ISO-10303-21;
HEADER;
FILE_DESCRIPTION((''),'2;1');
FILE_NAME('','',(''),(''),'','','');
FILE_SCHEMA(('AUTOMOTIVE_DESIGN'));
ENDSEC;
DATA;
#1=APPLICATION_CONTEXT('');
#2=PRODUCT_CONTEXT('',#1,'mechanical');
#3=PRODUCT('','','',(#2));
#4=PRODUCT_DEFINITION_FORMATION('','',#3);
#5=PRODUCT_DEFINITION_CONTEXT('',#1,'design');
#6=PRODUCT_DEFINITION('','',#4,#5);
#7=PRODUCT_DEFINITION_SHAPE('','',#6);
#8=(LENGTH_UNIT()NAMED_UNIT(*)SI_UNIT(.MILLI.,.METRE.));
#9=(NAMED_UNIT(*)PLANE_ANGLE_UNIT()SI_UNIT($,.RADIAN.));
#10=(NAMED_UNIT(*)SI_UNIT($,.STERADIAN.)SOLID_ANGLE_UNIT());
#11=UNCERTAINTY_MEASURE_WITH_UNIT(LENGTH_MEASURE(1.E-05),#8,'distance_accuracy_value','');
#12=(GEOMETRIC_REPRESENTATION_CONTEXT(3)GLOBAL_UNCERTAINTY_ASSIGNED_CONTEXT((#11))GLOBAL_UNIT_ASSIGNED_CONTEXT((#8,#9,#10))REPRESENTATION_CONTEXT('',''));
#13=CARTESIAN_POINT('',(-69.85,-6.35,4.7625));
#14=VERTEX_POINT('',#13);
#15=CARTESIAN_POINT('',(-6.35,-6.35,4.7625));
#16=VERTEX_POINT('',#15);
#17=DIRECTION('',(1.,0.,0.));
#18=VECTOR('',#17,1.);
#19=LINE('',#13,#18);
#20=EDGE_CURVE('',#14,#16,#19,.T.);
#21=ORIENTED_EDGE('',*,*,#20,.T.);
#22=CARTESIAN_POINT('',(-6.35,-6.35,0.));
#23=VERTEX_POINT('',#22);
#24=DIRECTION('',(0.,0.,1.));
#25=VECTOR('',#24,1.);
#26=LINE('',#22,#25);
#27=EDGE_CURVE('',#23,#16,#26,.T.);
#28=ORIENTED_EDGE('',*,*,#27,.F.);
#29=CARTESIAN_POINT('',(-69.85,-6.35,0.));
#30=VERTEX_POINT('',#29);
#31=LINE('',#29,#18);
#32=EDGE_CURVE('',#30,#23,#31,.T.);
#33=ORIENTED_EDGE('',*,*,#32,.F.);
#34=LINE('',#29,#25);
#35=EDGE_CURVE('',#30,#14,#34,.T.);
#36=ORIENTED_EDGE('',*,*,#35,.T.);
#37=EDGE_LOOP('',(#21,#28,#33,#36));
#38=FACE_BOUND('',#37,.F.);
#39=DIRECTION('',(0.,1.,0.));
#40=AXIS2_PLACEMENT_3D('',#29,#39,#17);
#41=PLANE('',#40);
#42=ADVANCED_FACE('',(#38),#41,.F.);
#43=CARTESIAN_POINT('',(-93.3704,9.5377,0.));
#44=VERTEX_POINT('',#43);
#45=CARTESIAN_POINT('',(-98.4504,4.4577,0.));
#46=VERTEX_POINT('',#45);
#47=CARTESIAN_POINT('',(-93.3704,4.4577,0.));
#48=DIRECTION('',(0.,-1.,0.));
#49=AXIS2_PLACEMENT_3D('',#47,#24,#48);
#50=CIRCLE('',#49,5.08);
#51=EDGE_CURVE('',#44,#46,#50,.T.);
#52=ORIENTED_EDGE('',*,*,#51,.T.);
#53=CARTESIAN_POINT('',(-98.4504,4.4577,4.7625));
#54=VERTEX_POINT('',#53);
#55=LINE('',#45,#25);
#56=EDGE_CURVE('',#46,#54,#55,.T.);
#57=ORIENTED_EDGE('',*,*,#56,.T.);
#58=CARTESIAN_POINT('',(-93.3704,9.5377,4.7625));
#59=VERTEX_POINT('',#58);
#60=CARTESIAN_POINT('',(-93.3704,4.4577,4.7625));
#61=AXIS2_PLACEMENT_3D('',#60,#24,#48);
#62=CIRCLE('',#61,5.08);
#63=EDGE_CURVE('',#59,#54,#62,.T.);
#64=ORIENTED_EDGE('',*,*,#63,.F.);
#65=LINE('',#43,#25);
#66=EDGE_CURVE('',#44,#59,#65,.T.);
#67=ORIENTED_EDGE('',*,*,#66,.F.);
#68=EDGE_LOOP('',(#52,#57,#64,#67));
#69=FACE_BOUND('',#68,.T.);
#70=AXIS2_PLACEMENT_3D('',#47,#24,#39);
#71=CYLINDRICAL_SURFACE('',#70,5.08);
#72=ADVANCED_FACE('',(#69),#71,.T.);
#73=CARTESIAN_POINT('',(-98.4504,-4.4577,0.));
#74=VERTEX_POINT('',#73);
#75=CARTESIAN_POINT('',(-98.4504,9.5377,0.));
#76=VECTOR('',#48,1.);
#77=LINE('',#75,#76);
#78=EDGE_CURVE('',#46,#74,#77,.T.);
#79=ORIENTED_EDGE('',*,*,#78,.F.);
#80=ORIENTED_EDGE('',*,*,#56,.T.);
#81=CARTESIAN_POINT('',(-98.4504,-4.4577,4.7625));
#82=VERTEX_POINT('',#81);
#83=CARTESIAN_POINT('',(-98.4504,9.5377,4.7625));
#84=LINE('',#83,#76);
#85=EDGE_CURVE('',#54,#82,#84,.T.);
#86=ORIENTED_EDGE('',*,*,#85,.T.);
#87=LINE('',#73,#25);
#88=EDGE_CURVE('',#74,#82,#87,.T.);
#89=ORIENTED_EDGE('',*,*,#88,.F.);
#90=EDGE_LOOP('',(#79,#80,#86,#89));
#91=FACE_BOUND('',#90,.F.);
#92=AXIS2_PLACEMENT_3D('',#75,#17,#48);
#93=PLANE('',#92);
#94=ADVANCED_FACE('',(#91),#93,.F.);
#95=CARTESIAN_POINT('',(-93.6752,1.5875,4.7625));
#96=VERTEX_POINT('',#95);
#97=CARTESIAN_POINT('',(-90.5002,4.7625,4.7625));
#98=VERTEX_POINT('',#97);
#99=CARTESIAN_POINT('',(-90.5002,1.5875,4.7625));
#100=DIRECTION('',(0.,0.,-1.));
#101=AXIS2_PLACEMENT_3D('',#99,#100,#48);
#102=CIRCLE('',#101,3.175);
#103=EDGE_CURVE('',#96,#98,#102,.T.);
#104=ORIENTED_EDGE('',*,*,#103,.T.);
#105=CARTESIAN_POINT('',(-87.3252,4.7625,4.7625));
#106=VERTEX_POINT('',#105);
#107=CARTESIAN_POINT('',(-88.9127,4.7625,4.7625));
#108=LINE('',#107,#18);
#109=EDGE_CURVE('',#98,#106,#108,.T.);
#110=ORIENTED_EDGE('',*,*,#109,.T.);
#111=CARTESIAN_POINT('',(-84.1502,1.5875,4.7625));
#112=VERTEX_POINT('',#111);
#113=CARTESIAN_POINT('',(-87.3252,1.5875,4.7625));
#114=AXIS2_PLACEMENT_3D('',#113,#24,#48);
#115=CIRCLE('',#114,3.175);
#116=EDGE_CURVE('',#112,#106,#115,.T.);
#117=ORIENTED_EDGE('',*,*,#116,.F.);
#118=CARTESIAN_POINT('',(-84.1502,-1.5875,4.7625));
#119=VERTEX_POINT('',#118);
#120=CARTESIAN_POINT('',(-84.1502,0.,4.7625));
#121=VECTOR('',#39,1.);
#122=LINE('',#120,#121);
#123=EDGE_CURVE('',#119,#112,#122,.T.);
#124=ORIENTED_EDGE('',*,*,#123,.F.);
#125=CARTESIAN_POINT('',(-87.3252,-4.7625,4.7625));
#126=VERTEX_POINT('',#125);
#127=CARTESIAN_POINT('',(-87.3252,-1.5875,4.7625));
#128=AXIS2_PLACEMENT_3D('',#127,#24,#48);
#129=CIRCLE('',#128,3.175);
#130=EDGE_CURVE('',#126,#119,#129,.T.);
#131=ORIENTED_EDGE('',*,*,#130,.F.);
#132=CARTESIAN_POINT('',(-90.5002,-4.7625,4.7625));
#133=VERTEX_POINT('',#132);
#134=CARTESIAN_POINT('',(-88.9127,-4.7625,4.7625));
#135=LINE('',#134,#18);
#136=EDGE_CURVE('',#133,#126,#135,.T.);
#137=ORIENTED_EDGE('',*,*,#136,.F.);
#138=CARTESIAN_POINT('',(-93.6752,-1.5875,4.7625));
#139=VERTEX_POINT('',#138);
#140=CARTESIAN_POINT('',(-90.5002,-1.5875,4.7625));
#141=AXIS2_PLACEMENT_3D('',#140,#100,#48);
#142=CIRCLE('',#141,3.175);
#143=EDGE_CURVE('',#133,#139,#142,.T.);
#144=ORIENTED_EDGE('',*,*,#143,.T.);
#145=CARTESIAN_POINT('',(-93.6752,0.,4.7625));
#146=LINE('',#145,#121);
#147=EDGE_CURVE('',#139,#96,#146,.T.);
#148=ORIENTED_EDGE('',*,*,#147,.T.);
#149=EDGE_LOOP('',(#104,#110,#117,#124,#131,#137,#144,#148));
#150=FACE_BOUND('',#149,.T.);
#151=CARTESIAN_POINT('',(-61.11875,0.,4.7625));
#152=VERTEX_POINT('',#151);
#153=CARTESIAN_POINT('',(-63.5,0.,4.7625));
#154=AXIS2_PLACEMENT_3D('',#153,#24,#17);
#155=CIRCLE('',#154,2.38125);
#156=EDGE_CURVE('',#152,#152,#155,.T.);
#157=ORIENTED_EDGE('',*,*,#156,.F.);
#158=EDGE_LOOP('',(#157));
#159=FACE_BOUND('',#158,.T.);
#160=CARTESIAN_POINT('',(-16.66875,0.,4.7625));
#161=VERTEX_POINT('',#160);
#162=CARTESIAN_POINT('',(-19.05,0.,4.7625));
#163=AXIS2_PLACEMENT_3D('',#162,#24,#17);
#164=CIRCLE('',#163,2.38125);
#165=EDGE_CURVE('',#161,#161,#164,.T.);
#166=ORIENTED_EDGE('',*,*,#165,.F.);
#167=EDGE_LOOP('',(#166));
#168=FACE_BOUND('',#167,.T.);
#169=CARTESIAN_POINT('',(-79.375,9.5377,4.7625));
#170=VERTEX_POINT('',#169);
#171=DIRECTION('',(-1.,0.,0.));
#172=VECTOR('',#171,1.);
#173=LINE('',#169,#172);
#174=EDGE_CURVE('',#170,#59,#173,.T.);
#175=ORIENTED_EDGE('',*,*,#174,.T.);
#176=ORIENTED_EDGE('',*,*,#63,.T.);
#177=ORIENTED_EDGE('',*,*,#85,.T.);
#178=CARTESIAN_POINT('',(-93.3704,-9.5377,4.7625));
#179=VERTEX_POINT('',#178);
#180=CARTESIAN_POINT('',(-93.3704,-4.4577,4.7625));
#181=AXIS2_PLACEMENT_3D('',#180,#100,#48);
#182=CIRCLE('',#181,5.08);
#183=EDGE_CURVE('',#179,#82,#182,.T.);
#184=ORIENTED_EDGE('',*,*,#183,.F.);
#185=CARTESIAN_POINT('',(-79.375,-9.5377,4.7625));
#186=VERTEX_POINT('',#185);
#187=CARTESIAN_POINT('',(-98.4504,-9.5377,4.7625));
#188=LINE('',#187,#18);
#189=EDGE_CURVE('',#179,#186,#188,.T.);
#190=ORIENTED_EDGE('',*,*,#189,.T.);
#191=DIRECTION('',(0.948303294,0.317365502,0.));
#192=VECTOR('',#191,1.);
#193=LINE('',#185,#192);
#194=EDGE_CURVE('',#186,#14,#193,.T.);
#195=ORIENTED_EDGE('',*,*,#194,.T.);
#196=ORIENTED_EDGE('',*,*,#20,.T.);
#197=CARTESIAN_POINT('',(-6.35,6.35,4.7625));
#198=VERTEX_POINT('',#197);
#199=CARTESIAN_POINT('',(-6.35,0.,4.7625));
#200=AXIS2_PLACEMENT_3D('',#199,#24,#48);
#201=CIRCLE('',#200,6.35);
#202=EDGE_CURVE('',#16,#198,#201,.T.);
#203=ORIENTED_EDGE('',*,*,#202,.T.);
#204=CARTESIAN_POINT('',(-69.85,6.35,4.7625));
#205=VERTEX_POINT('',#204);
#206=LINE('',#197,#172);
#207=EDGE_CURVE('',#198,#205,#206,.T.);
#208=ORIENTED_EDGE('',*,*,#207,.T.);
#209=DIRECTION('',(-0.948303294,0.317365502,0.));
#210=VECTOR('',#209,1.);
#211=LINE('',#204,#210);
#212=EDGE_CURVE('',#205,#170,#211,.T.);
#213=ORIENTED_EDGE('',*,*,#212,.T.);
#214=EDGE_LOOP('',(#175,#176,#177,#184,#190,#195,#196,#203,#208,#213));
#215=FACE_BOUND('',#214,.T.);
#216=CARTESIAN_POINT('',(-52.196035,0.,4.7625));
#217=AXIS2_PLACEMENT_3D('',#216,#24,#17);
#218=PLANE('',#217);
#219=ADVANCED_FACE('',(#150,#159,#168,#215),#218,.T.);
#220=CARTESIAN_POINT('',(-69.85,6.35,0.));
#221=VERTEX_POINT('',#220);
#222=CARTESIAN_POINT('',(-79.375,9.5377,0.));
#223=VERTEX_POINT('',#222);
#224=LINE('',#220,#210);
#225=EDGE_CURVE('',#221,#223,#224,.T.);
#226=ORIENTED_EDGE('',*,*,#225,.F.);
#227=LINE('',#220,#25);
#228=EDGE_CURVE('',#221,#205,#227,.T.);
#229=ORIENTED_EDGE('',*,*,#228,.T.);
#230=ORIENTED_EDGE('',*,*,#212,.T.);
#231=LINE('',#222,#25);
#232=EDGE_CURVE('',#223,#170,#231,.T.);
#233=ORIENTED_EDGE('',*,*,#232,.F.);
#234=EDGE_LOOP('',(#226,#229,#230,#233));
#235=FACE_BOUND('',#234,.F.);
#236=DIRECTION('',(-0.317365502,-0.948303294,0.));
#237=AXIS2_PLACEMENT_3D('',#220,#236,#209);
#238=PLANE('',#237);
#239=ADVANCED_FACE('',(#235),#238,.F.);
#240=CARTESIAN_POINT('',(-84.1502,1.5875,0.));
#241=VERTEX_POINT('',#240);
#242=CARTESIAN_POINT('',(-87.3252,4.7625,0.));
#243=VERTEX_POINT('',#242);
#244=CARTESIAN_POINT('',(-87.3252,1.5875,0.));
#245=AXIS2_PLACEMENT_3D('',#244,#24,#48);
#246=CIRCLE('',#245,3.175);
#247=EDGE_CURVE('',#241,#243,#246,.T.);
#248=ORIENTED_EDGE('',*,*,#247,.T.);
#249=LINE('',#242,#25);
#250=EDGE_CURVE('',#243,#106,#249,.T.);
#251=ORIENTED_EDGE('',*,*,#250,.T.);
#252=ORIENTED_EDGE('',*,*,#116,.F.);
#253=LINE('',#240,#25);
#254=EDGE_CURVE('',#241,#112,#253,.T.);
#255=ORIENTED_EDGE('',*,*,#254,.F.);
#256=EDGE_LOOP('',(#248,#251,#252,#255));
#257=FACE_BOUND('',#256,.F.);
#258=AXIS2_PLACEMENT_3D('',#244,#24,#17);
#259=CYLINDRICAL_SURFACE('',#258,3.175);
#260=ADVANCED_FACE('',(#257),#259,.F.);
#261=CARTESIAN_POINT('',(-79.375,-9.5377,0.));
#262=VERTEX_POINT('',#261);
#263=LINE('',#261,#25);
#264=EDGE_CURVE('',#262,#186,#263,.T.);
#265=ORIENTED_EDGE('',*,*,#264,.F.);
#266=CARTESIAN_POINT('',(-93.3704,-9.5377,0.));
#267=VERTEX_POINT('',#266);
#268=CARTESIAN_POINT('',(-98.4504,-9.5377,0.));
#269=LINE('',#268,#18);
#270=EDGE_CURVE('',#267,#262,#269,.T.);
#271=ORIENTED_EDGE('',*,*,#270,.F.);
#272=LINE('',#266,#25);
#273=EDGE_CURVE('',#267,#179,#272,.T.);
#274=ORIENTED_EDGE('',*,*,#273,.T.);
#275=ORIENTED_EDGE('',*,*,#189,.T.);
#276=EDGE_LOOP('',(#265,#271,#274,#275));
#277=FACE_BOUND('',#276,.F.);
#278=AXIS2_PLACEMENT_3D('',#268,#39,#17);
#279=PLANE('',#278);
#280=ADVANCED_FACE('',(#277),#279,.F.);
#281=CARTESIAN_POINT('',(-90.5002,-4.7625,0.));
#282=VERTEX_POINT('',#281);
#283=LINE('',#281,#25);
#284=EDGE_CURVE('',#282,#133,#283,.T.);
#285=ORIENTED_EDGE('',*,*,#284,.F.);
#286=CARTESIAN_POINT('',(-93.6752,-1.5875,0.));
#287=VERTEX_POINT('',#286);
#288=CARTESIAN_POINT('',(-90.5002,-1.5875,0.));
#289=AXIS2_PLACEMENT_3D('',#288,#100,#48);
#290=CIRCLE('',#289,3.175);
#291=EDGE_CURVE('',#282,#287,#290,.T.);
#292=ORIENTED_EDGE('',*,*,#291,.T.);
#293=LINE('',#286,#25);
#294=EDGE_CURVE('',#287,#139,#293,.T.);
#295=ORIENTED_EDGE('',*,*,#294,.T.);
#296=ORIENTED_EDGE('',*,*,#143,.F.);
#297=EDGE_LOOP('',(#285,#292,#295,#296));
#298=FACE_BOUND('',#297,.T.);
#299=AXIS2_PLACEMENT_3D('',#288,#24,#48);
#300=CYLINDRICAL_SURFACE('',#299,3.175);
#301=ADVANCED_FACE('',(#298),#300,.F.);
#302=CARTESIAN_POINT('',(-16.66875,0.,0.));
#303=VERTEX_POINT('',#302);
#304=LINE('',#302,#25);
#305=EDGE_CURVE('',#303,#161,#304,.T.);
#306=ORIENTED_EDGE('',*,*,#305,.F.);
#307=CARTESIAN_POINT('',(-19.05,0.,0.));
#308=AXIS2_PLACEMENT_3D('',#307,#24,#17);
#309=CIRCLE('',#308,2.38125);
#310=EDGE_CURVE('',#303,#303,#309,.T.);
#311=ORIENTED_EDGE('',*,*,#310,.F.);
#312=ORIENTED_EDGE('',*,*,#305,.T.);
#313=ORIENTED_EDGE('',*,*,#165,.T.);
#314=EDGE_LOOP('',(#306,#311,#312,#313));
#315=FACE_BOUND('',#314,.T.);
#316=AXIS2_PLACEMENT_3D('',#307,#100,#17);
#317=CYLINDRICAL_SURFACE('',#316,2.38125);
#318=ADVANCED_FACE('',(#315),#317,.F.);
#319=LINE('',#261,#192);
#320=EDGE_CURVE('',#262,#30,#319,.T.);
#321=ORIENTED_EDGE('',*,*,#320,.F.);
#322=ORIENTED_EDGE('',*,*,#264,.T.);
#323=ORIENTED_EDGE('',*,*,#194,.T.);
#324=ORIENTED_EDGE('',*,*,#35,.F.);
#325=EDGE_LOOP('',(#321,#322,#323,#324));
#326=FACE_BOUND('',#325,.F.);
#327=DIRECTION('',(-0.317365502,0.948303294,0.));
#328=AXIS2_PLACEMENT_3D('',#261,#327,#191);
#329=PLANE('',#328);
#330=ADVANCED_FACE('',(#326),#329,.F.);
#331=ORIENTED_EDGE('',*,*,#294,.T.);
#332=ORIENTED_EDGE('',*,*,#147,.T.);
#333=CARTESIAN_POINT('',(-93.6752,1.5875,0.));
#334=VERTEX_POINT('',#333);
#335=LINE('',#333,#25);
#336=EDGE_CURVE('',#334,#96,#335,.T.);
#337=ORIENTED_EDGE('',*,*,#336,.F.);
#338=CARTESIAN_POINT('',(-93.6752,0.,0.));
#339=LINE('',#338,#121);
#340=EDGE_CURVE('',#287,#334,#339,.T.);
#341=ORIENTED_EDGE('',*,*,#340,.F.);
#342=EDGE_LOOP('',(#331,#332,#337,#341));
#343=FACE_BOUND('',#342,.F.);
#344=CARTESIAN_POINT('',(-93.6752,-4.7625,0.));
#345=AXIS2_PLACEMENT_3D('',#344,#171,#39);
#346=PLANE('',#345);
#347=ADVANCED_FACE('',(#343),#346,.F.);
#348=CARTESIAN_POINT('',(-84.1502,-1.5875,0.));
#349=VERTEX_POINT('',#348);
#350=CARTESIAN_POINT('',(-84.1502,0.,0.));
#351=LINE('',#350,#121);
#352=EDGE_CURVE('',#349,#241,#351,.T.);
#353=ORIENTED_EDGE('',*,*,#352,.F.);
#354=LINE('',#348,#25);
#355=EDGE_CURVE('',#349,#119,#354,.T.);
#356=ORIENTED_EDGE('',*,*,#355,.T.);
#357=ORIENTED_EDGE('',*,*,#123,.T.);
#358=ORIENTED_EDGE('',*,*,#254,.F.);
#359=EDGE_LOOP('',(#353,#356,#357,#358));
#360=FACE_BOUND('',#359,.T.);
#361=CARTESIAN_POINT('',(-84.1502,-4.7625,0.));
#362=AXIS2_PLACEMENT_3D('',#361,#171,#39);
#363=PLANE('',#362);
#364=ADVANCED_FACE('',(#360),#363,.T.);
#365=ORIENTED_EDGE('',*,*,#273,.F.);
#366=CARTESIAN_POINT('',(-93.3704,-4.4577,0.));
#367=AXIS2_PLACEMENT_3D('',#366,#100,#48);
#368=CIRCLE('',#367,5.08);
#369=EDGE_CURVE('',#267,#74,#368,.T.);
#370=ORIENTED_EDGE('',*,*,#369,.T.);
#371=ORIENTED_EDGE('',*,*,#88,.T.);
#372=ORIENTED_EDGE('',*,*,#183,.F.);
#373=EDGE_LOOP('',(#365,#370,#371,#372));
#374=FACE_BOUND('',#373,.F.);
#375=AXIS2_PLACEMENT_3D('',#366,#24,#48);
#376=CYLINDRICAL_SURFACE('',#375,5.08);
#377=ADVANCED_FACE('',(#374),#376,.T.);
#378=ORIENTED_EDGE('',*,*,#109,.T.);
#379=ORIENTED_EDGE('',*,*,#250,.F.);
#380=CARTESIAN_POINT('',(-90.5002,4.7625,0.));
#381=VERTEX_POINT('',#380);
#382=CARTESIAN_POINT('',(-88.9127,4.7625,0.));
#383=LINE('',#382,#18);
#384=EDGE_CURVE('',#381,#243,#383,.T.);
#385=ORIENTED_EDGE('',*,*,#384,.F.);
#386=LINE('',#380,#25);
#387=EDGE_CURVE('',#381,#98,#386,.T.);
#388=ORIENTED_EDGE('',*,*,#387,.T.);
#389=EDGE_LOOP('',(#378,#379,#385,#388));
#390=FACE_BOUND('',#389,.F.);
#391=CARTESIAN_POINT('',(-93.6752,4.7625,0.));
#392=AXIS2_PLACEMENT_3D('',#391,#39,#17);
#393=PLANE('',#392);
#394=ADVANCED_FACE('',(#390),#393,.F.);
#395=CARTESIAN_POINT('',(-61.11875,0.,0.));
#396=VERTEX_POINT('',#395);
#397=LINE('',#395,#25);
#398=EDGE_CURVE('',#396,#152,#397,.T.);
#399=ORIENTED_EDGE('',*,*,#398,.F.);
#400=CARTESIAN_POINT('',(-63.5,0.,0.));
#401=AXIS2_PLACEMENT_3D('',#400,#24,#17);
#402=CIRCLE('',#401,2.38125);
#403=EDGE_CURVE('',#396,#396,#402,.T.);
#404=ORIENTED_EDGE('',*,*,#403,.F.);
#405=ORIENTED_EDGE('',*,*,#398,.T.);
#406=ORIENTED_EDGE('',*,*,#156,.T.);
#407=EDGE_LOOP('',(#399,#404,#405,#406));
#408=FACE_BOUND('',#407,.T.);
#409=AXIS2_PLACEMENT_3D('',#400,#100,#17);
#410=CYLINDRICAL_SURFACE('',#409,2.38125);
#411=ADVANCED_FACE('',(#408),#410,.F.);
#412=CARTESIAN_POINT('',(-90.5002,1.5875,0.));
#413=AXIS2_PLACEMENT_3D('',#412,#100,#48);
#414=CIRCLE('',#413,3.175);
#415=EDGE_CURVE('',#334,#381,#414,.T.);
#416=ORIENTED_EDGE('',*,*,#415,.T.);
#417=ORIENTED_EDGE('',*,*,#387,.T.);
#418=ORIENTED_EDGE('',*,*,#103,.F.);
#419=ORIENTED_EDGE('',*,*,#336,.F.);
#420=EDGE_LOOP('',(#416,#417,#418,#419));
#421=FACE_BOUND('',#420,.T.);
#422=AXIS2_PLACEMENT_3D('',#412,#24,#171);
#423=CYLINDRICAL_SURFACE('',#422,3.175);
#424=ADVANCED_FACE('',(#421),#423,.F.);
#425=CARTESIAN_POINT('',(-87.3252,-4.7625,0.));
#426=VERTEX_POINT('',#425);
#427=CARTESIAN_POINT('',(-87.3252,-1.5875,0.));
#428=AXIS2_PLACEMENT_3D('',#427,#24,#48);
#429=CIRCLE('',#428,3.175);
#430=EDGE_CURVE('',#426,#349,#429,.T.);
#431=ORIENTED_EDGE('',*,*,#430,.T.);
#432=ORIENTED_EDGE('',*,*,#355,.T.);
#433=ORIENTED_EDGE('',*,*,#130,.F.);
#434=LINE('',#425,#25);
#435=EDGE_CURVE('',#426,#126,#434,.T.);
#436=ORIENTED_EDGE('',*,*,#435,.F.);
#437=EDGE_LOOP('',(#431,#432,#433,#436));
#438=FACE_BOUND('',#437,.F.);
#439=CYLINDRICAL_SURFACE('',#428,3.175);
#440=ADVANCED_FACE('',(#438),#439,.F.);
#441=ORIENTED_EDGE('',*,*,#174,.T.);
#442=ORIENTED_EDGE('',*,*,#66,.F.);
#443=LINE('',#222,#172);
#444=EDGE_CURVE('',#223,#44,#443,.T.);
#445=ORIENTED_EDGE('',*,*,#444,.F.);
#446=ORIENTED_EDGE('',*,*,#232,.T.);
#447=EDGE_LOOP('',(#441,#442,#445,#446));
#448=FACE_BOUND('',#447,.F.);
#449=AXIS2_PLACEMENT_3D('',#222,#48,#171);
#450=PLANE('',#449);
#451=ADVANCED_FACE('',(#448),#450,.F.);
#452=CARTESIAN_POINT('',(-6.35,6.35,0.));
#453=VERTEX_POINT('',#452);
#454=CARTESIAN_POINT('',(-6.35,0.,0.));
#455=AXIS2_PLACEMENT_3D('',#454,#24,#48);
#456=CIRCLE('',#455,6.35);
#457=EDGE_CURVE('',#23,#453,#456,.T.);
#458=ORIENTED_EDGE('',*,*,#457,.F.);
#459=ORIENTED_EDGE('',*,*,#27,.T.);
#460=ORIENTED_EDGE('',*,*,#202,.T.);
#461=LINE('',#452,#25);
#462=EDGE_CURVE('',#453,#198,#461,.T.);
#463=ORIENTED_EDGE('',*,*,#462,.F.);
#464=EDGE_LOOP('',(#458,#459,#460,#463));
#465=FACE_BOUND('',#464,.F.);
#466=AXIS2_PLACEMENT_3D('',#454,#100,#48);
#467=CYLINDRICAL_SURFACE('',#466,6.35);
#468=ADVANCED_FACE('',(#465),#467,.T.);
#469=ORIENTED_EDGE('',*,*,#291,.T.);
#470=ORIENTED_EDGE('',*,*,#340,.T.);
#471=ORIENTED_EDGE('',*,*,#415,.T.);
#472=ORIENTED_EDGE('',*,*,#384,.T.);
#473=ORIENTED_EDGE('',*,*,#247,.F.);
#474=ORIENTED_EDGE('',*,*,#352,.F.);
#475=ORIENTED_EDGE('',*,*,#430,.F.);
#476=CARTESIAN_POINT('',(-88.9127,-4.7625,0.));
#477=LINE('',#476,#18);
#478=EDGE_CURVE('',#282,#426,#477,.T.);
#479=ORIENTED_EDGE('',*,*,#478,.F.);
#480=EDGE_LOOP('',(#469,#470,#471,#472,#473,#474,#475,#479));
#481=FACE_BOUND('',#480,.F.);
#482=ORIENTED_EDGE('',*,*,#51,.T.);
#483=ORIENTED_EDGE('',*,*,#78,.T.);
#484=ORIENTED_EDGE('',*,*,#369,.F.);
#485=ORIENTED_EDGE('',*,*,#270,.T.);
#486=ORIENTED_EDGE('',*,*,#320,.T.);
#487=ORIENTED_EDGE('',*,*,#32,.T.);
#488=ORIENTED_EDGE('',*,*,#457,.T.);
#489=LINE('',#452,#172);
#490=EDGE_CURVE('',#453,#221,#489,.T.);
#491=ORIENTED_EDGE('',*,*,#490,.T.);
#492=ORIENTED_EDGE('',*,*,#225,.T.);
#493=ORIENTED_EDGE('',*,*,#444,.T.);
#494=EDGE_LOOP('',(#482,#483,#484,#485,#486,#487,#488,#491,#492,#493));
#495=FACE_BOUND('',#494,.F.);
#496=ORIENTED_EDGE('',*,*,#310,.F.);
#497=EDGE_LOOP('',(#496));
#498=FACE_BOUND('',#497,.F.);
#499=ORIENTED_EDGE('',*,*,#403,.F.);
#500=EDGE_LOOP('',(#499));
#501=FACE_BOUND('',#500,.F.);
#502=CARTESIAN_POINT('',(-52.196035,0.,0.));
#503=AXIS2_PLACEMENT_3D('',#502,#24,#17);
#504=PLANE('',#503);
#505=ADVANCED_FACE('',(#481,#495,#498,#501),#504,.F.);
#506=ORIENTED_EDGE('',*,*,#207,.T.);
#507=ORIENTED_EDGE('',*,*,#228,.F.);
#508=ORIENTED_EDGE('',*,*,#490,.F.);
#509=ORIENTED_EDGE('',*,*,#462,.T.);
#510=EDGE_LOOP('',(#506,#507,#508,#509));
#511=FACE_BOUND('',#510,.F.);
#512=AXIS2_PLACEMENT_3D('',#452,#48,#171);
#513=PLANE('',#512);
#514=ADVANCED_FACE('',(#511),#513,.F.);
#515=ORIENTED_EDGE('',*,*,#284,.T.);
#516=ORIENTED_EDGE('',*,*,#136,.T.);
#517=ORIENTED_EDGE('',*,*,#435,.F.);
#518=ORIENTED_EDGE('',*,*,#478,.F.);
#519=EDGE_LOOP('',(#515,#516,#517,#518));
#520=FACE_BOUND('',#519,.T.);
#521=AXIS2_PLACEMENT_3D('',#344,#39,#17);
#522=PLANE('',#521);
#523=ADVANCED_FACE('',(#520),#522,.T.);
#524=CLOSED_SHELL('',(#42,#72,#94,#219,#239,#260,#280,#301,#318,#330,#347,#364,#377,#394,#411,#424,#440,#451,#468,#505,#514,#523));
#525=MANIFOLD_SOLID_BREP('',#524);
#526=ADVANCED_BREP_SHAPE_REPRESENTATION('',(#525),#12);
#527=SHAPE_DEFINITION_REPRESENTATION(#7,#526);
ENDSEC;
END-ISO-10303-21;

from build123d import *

# Parameters (mm, degrees)
F0_W     = 9.525
F0_H     = 9.525
F0_R     = 2.38125
F1_DEPTH = 4.7625
F2_R     = 5.08
F3_R     = 3.175


with BuildPart() as f1:
    # F0 (on Top) → F1 (new body)
    with BuildSketch(Plane.XY):
        with BuildLine():
            ThreePointArc((-6.35, -6.35), (0, 0), (-6.35, 6.35))
            Line((-6.35, 6.35), (-69.85, 6.35))
            Line((-69.85, 6.35), (-79.375, 9.5377))
            Line((-79.375, 9.5377), (-98.4504, 9.5377))
            Line((-98.4504, 9.5377), (-98.4504, -9.5377))
            Line((-98.4504, -9.5377), (-79.375, -9.5377))
            Line((-79.375, -9.5377), (-69.85, -6.35))
            Line((-69.85, -6.35), (-6.35, -6.35))
        make_face()
        with Locations((-88.9127, 0)):
            Rectangle(F0_W, F0_H, mode=Mode.SUBTRACT)
        with Locations((-63.5, 0)):
            Circle(F0_R, mode=Mode.SUBTRACT)
        with Locations((-19.05, 0)):
            Circle(F0_R, mode=Mode.SUBTRACT)
    extrude(amount=F1_DEPTH)

    # F2
    f2_edges = [f1.edges().sort_by_distance(p)[0] for p in [
        (-98.4504, 9.5377, 2.38125),
        (-98.4504, -9.5377, 2.38125),
    ]]
    fillet(f2_edges, radius=F2_R)

    # F3
    f3_edges = [f1.edges().sort_by_distance(p)[0] for p in [
        (-84.1502, -4.7625, 2.38125),
        (-84.1502, 4.7625, 2.38125),
        (-93.6752, 4.7625, 2.38125),
        (-93.6752, -4.7625, 2.38125),
    ]]
    fillet(f3_edges, radius=F3_R)


solid = f1.part
